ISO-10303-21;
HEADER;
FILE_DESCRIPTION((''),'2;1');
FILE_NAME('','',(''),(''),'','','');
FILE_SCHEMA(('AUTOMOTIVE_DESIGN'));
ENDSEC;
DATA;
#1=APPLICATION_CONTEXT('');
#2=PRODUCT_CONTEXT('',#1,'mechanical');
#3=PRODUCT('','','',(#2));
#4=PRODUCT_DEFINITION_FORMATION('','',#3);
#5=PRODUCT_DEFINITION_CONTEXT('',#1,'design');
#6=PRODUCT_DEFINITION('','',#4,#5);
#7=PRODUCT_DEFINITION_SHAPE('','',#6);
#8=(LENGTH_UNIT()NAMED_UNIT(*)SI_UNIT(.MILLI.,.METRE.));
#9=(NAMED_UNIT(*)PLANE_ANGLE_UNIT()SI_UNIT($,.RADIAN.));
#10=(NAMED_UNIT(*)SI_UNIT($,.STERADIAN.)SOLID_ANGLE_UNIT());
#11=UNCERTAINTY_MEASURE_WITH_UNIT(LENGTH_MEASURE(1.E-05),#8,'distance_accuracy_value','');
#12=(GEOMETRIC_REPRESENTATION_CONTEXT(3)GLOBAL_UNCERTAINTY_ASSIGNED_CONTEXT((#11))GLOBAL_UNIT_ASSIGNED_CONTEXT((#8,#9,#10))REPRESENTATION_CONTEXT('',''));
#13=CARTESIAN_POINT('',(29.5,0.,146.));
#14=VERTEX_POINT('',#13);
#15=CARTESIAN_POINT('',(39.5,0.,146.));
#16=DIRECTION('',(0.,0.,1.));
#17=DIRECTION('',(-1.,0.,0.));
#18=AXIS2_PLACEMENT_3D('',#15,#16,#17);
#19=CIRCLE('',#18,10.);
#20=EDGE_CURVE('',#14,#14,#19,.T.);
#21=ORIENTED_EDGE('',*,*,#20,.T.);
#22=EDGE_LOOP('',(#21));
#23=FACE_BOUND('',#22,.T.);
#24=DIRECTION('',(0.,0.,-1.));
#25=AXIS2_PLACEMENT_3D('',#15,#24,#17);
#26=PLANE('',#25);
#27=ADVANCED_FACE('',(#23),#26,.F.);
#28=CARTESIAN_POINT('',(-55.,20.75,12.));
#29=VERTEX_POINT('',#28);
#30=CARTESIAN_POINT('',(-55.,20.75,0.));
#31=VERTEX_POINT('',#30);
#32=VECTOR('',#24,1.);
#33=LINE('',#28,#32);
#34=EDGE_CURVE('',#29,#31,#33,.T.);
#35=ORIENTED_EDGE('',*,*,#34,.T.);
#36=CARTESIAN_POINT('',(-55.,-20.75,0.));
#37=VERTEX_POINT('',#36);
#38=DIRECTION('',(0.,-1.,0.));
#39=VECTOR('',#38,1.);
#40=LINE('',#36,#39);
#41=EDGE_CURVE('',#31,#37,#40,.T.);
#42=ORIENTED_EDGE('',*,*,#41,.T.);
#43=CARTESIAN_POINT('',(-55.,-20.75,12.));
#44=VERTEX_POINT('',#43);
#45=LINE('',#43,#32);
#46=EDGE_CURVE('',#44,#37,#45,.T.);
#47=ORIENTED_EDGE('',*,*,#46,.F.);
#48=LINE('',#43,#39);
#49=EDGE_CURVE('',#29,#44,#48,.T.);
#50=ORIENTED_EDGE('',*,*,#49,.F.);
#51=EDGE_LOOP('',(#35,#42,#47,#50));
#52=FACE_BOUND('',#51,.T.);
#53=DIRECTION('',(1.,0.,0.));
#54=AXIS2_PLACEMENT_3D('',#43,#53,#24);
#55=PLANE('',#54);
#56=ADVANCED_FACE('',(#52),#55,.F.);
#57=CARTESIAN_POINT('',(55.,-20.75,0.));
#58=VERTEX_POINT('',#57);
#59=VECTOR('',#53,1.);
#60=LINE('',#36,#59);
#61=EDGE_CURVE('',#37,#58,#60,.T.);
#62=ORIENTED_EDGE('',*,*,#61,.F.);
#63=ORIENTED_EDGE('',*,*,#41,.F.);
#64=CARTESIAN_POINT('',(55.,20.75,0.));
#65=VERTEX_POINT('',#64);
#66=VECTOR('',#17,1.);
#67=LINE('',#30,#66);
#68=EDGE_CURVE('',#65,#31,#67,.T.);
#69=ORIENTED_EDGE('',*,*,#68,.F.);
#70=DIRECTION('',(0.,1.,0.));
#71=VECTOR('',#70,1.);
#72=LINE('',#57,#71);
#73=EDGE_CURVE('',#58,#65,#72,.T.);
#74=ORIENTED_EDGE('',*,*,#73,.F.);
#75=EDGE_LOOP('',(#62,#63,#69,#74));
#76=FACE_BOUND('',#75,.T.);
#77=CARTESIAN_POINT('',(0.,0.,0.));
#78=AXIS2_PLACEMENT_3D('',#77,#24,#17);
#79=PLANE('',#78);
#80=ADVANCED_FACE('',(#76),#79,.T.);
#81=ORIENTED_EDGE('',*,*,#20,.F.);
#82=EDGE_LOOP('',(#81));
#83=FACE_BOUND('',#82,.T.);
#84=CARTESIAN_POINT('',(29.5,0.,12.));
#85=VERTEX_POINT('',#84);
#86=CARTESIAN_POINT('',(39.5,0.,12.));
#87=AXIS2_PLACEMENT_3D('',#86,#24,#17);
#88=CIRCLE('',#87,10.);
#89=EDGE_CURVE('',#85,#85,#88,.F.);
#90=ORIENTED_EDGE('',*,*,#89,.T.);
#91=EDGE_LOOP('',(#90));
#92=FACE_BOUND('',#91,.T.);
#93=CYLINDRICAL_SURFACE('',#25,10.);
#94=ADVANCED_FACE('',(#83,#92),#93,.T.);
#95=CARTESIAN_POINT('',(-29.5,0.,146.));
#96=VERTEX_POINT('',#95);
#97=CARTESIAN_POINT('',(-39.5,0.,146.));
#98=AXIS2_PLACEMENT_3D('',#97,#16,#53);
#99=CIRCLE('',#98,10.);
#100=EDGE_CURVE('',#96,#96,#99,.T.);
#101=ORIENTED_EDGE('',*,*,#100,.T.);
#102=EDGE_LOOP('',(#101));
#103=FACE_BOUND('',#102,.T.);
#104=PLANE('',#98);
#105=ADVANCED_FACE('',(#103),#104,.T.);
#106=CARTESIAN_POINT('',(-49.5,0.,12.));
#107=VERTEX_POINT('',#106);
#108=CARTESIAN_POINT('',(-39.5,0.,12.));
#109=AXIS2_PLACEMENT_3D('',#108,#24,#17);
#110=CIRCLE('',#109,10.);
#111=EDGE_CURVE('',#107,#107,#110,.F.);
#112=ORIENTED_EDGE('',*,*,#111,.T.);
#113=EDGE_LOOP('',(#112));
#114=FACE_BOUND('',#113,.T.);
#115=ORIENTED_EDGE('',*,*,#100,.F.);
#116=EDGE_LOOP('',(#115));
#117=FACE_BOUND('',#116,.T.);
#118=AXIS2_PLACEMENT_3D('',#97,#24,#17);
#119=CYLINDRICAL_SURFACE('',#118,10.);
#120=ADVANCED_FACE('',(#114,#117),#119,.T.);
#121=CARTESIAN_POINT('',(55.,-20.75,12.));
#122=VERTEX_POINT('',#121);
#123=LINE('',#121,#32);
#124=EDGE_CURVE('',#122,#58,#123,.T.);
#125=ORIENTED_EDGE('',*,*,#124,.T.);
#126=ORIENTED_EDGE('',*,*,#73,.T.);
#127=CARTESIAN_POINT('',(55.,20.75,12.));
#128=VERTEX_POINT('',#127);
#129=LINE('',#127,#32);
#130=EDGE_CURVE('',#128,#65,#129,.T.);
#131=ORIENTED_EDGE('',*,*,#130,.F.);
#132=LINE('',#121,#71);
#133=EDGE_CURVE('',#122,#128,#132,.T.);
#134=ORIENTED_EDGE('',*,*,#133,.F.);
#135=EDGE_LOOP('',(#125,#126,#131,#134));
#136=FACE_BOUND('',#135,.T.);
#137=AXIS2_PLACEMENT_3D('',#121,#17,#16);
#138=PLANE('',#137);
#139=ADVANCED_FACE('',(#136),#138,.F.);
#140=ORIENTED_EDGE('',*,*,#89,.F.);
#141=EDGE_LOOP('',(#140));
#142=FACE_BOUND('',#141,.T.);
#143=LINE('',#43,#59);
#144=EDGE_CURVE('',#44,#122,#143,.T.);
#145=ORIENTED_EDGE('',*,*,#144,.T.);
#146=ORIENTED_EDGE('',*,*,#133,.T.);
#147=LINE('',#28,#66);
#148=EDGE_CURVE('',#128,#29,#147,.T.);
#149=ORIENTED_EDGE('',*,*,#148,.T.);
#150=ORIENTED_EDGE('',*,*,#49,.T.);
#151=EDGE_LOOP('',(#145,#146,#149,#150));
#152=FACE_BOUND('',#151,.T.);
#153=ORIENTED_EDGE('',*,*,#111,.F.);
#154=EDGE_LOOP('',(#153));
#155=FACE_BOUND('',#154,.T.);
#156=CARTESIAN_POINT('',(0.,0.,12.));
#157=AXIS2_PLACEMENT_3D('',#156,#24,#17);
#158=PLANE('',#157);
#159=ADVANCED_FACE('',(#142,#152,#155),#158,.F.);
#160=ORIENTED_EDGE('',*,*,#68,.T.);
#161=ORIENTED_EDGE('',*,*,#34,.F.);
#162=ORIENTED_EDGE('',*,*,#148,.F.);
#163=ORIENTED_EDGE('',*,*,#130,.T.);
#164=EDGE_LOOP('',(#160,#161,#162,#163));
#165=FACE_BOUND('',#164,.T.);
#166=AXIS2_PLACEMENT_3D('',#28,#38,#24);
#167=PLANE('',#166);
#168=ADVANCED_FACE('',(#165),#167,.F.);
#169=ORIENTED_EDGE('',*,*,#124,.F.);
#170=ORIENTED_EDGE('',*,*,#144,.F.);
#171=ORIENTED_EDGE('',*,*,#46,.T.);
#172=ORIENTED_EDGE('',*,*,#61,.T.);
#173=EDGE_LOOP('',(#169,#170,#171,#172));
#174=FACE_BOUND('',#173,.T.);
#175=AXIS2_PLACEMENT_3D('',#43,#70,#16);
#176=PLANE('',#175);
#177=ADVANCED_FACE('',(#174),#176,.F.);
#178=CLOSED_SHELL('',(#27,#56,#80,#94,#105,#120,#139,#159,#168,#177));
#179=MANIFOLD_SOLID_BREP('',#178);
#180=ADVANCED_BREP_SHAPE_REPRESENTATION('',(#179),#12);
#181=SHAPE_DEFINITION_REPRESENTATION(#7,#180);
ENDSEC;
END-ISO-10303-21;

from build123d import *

# Parameters (mm, degrees)
CROQUIS1_W              = 110
CROQUIS1_H              = 41.5
SALIENTE_EXTRUIR1_DEPTH = 12
CROQUIS2_R              = 10
SALIENTE_EXTRUIR2_DEPTH = 134


with BuildPart() as part:
    # Croquis1 → Saliente-Extruir1 (new body)
    with BuildSketch(Plane.XY):
        Rectangle(CROQUIS1_W, CROQUIS1_H)
    extrude(amount=SALIENTE_EXTRUIR1_DEPTH)

    # Croquis2 → Saliente-Extruir2 (add)
    with BuildSketch(Plane.XY.offset(12)):
        with Locations(Location((-39.5, 0, 0), (0, 0, 180))):
            Circle(CROQUIS2_R)
        with Locations(Location((39.5, 0, 0), (0, 0, 180))):
            Circle(CROQUIS2_R)
    extrude(amount=SALIENTE_EXTRUIR2_DEPTH)


solid = part.part
